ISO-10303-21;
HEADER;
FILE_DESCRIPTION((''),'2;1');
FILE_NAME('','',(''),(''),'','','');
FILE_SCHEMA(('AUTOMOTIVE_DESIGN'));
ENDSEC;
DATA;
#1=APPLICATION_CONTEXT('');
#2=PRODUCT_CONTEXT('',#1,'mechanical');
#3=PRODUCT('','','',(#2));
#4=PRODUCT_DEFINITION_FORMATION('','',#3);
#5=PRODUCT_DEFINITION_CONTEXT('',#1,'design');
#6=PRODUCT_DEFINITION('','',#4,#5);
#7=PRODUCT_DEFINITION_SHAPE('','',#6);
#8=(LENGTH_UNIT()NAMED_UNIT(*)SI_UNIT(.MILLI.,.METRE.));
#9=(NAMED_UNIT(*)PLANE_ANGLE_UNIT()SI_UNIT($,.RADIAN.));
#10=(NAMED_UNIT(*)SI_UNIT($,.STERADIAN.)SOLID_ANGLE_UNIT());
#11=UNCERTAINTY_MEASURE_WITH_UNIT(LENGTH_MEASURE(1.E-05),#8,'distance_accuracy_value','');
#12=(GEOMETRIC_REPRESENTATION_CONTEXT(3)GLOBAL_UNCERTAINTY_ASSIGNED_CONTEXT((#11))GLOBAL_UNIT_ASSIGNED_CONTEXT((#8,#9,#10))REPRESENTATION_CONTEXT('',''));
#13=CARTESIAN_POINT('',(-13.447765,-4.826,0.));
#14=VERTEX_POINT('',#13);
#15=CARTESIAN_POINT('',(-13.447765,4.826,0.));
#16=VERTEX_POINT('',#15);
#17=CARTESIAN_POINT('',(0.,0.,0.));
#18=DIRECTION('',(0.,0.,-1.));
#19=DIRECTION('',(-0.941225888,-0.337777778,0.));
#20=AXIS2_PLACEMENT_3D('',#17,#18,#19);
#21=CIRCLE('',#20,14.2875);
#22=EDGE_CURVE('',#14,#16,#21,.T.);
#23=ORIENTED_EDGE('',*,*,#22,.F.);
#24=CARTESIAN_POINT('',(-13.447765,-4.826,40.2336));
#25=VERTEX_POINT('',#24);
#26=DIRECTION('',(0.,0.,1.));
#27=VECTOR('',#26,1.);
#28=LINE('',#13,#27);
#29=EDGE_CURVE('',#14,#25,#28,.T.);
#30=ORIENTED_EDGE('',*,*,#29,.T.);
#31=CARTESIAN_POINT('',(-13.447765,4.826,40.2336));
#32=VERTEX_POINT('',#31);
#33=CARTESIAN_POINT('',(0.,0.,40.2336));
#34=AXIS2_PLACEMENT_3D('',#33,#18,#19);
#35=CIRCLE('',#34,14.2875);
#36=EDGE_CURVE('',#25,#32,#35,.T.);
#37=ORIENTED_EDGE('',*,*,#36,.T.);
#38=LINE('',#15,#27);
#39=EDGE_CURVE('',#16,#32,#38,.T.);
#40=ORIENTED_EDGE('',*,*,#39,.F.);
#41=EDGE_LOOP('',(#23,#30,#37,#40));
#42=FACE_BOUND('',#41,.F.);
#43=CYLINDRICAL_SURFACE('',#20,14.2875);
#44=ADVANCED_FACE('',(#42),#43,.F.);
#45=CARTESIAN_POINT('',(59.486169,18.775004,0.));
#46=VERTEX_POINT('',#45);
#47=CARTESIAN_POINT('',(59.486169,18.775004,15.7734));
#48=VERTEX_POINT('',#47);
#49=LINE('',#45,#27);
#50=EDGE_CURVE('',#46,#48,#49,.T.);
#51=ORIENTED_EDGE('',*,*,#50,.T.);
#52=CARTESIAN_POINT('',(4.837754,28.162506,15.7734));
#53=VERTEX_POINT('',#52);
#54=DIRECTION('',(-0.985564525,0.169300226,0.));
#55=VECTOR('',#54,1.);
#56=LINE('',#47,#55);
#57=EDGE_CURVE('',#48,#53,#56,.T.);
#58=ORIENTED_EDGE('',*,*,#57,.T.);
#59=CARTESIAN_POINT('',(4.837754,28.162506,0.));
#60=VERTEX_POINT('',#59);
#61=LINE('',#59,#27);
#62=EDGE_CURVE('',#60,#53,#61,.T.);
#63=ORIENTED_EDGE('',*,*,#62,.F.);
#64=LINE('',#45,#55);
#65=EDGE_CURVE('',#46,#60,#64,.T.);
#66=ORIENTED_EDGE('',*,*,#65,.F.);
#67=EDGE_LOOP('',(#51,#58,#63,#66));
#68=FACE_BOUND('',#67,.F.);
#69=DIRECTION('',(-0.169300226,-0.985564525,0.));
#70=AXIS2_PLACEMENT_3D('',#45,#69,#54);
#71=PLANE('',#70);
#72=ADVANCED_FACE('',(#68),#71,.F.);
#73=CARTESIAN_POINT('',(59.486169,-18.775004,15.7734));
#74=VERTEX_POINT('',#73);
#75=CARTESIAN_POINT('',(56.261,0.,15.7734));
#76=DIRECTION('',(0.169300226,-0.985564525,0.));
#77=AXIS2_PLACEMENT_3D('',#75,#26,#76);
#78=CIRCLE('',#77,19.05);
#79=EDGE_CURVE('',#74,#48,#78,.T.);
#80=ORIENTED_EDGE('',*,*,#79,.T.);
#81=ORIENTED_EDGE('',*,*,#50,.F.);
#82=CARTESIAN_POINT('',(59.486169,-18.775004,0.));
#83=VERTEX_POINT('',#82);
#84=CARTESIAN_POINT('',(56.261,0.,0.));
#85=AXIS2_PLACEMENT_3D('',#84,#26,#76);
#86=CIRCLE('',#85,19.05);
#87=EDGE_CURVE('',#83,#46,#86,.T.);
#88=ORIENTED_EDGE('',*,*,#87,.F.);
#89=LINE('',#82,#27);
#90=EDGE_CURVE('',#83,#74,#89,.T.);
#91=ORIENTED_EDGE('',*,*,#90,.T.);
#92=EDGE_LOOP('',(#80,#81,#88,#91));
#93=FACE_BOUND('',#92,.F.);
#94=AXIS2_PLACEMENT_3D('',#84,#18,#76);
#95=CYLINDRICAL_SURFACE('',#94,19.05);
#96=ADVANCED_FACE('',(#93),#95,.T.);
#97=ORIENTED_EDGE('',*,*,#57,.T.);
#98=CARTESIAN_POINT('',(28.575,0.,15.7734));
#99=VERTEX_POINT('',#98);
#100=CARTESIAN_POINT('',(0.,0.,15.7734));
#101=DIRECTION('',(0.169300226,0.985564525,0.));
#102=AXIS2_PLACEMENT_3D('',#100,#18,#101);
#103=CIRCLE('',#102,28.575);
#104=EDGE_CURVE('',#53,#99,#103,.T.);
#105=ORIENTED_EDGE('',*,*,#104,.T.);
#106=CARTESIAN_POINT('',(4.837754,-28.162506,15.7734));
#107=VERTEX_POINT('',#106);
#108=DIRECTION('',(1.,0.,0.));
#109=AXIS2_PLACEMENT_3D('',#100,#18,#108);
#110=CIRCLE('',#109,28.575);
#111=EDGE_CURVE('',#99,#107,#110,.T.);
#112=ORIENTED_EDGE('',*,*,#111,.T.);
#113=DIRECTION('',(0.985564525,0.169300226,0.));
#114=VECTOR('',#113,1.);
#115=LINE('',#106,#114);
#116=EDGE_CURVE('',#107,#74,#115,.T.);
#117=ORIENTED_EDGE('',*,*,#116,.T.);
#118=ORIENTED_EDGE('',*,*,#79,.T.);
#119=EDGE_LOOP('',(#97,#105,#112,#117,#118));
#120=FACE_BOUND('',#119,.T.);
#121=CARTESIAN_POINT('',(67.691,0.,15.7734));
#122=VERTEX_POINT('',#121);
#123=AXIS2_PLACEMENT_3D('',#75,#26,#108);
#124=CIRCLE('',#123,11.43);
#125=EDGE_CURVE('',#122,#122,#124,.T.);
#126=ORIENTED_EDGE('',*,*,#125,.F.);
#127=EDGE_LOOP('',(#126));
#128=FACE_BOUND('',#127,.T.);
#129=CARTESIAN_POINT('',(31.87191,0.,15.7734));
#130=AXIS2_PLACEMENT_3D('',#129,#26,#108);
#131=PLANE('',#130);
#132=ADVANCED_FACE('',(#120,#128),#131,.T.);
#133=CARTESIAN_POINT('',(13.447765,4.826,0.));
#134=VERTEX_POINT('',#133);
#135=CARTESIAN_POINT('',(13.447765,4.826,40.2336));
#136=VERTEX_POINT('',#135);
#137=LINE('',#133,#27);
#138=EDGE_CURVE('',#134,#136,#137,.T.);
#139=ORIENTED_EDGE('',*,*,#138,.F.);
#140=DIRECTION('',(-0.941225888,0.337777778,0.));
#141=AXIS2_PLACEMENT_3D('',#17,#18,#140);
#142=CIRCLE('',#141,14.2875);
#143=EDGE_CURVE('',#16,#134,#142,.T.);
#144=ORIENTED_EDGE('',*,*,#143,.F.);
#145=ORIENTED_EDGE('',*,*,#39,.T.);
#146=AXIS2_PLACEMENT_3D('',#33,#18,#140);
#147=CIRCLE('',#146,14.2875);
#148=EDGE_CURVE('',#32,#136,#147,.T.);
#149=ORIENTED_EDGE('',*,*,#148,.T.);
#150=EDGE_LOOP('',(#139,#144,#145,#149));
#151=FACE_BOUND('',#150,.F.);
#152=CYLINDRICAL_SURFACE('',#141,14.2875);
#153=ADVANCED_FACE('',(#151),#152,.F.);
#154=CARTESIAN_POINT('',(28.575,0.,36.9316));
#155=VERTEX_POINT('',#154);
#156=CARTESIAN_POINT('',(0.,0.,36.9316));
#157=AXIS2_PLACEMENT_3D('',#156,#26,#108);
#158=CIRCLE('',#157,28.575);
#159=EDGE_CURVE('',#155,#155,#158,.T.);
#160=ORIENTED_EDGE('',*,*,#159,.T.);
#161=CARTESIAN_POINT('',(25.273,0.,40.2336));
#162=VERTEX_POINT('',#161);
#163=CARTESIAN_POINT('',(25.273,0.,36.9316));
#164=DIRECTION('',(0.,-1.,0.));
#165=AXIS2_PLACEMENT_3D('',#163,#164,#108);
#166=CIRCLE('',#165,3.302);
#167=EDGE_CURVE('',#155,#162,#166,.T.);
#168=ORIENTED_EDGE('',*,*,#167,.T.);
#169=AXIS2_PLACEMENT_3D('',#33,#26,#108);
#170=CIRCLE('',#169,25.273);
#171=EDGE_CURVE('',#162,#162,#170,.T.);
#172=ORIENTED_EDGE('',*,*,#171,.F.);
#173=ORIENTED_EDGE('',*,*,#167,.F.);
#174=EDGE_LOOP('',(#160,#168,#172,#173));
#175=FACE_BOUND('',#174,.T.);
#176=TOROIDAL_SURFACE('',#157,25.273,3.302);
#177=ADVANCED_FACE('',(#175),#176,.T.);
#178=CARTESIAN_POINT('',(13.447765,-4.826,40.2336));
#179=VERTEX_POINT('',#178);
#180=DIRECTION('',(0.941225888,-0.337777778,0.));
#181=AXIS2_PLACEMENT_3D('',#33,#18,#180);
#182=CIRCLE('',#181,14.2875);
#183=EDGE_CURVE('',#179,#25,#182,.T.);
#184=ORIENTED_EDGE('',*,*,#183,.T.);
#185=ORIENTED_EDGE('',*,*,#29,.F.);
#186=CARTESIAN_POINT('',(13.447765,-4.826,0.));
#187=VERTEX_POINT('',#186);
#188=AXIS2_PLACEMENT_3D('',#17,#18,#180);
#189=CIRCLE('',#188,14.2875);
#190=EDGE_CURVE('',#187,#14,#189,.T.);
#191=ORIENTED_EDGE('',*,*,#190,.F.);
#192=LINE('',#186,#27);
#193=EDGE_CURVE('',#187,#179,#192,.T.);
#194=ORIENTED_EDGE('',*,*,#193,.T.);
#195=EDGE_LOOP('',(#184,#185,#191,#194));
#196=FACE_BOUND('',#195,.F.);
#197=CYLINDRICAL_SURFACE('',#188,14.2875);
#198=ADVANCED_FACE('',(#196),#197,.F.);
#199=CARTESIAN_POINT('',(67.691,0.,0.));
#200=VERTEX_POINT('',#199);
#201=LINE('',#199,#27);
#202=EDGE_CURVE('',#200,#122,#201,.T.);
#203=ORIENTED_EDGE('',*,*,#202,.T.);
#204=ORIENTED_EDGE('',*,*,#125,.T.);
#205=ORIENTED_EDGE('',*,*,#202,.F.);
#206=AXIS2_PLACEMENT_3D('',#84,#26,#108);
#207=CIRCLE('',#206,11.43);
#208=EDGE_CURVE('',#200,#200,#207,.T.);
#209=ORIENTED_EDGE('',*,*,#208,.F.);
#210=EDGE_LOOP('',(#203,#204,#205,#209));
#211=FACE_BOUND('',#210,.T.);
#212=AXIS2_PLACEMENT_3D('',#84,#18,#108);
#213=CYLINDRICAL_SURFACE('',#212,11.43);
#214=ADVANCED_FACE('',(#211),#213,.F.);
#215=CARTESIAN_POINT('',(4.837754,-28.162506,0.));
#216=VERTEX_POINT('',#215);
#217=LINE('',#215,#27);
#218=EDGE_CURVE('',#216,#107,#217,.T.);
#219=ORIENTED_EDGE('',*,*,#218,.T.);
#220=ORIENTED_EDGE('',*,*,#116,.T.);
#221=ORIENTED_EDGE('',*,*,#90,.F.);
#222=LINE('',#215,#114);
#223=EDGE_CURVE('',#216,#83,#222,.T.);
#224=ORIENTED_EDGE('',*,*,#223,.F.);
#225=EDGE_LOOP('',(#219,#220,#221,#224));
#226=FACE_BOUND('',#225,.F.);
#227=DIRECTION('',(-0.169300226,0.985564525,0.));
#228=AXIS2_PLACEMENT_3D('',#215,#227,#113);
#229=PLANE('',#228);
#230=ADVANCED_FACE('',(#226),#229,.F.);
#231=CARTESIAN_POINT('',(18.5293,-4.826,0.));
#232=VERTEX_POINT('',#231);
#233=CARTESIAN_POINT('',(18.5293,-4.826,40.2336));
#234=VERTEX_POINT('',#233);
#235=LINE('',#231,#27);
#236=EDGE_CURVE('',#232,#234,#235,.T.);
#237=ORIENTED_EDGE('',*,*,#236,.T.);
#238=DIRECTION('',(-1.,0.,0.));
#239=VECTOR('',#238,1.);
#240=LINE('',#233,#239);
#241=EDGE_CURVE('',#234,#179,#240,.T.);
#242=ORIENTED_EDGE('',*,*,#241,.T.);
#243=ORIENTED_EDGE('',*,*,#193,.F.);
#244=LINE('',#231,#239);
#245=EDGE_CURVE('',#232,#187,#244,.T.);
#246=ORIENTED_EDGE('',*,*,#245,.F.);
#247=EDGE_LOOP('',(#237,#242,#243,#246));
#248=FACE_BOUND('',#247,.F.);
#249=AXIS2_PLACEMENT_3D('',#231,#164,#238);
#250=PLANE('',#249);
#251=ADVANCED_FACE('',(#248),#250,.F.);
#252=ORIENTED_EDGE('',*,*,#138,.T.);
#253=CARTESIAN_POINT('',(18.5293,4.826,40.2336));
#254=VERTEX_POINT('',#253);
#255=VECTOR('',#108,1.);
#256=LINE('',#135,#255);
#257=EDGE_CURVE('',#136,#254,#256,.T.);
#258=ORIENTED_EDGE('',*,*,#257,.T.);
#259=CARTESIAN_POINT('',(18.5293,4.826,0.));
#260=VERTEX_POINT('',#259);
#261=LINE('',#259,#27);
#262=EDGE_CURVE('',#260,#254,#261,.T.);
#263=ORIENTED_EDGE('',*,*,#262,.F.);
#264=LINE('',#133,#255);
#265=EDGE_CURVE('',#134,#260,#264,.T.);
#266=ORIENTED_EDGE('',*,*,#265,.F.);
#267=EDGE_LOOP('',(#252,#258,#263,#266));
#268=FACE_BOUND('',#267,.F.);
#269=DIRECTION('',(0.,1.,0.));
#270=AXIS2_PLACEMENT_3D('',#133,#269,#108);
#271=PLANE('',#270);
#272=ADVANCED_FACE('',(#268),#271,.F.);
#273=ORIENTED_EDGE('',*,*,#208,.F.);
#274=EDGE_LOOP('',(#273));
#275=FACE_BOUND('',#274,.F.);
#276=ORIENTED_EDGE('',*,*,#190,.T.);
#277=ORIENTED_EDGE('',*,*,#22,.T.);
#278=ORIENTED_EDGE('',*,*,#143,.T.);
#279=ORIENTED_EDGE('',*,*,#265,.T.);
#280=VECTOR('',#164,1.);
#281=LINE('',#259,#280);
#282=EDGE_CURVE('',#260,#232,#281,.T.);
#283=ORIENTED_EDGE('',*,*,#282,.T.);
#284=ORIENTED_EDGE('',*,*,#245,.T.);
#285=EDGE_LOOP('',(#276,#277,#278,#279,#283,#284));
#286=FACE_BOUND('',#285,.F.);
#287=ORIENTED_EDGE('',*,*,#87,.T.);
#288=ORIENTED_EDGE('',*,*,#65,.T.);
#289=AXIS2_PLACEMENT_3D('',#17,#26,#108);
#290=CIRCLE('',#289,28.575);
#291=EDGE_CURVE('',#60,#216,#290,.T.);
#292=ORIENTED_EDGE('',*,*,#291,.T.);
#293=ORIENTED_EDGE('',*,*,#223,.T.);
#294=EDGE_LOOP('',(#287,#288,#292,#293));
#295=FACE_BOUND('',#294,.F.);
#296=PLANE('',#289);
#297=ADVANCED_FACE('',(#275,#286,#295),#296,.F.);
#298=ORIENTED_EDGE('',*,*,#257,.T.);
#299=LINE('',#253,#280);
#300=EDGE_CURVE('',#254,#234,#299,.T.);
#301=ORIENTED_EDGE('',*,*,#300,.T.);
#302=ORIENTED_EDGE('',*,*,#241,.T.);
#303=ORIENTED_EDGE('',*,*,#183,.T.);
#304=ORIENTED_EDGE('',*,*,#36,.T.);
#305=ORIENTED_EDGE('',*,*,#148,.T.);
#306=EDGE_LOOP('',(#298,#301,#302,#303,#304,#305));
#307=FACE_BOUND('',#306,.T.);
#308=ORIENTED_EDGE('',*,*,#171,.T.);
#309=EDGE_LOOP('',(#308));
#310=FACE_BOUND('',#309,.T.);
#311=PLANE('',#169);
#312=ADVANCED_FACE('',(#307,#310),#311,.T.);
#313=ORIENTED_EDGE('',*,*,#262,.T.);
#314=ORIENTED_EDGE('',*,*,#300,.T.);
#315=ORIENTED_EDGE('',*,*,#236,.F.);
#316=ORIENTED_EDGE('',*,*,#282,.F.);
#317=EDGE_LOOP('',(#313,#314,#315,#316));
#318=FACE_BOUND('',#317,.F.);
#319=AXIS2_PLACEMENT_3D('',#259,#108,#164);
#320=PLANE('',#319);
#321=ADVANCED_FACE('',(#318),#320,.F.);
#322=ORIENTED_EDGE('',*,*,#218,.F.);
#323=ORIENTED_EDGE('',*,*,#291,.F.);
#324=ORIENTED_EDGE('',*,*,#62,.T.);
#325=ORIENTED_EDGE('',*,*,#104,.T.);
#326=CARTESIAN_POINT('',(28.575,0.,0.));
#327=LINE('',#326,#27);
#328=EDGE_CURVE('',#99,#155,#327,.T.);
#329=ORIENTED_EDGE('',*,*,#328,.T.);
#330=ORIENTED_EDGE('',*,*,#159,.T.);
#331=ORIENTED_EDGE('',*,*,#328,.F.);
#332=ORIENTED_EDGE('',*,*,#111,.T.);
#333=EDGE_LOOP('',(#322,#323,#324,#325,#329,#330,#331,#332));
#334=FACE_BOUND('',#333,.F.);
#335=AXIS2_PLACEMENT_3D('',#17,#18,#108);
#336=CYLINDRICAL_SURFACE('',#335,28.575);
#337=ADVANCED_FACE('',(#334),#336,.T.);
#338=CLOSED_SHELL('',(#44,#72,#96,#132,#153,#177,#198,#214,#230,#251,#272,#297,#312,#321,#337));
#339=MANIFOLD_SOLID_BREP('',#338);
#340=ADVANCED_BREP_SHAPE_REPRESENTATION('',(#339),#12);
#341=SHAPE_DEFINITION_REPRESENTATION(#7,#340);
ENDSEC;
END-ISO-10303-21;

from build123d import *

# Parameters (mm, degrees)
F0_R     = 11.43
F1_DEPTH = 15.7734
F2_DEPTH = 40.2336
F3_R     = 3.302


with BuildPart() as f1:
    # F0 (on Top) → F1 (new body)
    with BuildSketch(Plane.XY):
        with BuildLine():
            ThreePointArc((4.8377539503, 28.162506311), (21.8491354993, 18.4159143931), (28.575, 0))
            ThreePointArc((28.575, 0), (21.8491354993, -18.4159143931), (4.8377539503, -28.162506311))
            Line((4.8377539503, -28.162506311), (59.4861693002, -18.7750042073))
            ThreePointArc((59.4861693002, -18.7750042073), (37.211, 0), (59.4861693002, 18.7750042073))
            Line((59.4861693002, 18.7750042073), (4.8377539503, 28.162506311))
        make_face()
        with BuildLine():
            ThreePointArc((75.311, 0), (70.8270903328, 12.2772762621), (59.4861693002, 18.7750042073))
            ThreePointArc((59.4861693002, 18.7750042073), (37.211, 0), (59.4861693002, -18.7750042073))
            ThreePointArc((59.4861693002, -18.7750042073), (70.8270903328, -12.2772762621), (75.311, 0))
        make_face()
        with Locations((56.261, 0)):
            Circle(F0_R, mode=Mode.SUBTRACT)
    extrude(amount=F1_DEPTH)

    # F0 (on Top) → F2 (join)
    with BuildSketch(Plane.XY):
        with BuildLine():
            ThreePointArc((4.8377539503, -28.162506311), (21.8491354993, -18.4159143931), (28.575, 0))
            ThreePointArc((28.575, 0), (21.8491354993, 18.4159143931), (4.8377539503, 28.162506311))
            ThreePointArc((4.8377539503, 28.162506311), (-28.575, 0), (4.8377539503, -28.162506311))
        make_face()
        with BuildLine():
            ThreePointArc((-13.4477648793, 4.826), (0, 14.2875), (13.4477648793, 4.826))
            Line((13.4477648793, 4.826), (18.5293, 4.826))
            Line((18.5293, 4.826), (18.5293, -4.826))
            Line((18.5293, -4.826), (13.4477648793, -4.826))
            ThreePointArc((13.4477648793, -4.826), (0, -14.2875), (-13.4477648793, -4.826))
            Line((-13.4477648793, -4.826), (-18.5293, -4.826))
            Line((-18.5293, -4.826), (-18.5293, 4.826))
            Line((-18.5293, 4.826), (-13.4477648793, 4.826))
        make_face(mode=Mode.SUBTRACT)
        with BuildLine():
            ThreePointArc((-13.4477648793, -4.826), (-14.2875, 0), (-13.4477648793, 4.826))
            Line((-13.4477648793, 4.826), (-18.5293, 4.826))
            Line((-18.5293, 4.826), (-18.5293, -4.826))
            Line((-18.5293, -4.826), (-13.4477648793, -4.826))
        make_face()
    extrude(amount=F2_DEPTH)

    # F3
    f3_edges = [f1.edges().sort_by_distance(p)[0] for p in [
        (-28.575, 0, 40.2336),
    ]]
    fillet(f3_edges, radius=F3_R)


solid = f1.part
